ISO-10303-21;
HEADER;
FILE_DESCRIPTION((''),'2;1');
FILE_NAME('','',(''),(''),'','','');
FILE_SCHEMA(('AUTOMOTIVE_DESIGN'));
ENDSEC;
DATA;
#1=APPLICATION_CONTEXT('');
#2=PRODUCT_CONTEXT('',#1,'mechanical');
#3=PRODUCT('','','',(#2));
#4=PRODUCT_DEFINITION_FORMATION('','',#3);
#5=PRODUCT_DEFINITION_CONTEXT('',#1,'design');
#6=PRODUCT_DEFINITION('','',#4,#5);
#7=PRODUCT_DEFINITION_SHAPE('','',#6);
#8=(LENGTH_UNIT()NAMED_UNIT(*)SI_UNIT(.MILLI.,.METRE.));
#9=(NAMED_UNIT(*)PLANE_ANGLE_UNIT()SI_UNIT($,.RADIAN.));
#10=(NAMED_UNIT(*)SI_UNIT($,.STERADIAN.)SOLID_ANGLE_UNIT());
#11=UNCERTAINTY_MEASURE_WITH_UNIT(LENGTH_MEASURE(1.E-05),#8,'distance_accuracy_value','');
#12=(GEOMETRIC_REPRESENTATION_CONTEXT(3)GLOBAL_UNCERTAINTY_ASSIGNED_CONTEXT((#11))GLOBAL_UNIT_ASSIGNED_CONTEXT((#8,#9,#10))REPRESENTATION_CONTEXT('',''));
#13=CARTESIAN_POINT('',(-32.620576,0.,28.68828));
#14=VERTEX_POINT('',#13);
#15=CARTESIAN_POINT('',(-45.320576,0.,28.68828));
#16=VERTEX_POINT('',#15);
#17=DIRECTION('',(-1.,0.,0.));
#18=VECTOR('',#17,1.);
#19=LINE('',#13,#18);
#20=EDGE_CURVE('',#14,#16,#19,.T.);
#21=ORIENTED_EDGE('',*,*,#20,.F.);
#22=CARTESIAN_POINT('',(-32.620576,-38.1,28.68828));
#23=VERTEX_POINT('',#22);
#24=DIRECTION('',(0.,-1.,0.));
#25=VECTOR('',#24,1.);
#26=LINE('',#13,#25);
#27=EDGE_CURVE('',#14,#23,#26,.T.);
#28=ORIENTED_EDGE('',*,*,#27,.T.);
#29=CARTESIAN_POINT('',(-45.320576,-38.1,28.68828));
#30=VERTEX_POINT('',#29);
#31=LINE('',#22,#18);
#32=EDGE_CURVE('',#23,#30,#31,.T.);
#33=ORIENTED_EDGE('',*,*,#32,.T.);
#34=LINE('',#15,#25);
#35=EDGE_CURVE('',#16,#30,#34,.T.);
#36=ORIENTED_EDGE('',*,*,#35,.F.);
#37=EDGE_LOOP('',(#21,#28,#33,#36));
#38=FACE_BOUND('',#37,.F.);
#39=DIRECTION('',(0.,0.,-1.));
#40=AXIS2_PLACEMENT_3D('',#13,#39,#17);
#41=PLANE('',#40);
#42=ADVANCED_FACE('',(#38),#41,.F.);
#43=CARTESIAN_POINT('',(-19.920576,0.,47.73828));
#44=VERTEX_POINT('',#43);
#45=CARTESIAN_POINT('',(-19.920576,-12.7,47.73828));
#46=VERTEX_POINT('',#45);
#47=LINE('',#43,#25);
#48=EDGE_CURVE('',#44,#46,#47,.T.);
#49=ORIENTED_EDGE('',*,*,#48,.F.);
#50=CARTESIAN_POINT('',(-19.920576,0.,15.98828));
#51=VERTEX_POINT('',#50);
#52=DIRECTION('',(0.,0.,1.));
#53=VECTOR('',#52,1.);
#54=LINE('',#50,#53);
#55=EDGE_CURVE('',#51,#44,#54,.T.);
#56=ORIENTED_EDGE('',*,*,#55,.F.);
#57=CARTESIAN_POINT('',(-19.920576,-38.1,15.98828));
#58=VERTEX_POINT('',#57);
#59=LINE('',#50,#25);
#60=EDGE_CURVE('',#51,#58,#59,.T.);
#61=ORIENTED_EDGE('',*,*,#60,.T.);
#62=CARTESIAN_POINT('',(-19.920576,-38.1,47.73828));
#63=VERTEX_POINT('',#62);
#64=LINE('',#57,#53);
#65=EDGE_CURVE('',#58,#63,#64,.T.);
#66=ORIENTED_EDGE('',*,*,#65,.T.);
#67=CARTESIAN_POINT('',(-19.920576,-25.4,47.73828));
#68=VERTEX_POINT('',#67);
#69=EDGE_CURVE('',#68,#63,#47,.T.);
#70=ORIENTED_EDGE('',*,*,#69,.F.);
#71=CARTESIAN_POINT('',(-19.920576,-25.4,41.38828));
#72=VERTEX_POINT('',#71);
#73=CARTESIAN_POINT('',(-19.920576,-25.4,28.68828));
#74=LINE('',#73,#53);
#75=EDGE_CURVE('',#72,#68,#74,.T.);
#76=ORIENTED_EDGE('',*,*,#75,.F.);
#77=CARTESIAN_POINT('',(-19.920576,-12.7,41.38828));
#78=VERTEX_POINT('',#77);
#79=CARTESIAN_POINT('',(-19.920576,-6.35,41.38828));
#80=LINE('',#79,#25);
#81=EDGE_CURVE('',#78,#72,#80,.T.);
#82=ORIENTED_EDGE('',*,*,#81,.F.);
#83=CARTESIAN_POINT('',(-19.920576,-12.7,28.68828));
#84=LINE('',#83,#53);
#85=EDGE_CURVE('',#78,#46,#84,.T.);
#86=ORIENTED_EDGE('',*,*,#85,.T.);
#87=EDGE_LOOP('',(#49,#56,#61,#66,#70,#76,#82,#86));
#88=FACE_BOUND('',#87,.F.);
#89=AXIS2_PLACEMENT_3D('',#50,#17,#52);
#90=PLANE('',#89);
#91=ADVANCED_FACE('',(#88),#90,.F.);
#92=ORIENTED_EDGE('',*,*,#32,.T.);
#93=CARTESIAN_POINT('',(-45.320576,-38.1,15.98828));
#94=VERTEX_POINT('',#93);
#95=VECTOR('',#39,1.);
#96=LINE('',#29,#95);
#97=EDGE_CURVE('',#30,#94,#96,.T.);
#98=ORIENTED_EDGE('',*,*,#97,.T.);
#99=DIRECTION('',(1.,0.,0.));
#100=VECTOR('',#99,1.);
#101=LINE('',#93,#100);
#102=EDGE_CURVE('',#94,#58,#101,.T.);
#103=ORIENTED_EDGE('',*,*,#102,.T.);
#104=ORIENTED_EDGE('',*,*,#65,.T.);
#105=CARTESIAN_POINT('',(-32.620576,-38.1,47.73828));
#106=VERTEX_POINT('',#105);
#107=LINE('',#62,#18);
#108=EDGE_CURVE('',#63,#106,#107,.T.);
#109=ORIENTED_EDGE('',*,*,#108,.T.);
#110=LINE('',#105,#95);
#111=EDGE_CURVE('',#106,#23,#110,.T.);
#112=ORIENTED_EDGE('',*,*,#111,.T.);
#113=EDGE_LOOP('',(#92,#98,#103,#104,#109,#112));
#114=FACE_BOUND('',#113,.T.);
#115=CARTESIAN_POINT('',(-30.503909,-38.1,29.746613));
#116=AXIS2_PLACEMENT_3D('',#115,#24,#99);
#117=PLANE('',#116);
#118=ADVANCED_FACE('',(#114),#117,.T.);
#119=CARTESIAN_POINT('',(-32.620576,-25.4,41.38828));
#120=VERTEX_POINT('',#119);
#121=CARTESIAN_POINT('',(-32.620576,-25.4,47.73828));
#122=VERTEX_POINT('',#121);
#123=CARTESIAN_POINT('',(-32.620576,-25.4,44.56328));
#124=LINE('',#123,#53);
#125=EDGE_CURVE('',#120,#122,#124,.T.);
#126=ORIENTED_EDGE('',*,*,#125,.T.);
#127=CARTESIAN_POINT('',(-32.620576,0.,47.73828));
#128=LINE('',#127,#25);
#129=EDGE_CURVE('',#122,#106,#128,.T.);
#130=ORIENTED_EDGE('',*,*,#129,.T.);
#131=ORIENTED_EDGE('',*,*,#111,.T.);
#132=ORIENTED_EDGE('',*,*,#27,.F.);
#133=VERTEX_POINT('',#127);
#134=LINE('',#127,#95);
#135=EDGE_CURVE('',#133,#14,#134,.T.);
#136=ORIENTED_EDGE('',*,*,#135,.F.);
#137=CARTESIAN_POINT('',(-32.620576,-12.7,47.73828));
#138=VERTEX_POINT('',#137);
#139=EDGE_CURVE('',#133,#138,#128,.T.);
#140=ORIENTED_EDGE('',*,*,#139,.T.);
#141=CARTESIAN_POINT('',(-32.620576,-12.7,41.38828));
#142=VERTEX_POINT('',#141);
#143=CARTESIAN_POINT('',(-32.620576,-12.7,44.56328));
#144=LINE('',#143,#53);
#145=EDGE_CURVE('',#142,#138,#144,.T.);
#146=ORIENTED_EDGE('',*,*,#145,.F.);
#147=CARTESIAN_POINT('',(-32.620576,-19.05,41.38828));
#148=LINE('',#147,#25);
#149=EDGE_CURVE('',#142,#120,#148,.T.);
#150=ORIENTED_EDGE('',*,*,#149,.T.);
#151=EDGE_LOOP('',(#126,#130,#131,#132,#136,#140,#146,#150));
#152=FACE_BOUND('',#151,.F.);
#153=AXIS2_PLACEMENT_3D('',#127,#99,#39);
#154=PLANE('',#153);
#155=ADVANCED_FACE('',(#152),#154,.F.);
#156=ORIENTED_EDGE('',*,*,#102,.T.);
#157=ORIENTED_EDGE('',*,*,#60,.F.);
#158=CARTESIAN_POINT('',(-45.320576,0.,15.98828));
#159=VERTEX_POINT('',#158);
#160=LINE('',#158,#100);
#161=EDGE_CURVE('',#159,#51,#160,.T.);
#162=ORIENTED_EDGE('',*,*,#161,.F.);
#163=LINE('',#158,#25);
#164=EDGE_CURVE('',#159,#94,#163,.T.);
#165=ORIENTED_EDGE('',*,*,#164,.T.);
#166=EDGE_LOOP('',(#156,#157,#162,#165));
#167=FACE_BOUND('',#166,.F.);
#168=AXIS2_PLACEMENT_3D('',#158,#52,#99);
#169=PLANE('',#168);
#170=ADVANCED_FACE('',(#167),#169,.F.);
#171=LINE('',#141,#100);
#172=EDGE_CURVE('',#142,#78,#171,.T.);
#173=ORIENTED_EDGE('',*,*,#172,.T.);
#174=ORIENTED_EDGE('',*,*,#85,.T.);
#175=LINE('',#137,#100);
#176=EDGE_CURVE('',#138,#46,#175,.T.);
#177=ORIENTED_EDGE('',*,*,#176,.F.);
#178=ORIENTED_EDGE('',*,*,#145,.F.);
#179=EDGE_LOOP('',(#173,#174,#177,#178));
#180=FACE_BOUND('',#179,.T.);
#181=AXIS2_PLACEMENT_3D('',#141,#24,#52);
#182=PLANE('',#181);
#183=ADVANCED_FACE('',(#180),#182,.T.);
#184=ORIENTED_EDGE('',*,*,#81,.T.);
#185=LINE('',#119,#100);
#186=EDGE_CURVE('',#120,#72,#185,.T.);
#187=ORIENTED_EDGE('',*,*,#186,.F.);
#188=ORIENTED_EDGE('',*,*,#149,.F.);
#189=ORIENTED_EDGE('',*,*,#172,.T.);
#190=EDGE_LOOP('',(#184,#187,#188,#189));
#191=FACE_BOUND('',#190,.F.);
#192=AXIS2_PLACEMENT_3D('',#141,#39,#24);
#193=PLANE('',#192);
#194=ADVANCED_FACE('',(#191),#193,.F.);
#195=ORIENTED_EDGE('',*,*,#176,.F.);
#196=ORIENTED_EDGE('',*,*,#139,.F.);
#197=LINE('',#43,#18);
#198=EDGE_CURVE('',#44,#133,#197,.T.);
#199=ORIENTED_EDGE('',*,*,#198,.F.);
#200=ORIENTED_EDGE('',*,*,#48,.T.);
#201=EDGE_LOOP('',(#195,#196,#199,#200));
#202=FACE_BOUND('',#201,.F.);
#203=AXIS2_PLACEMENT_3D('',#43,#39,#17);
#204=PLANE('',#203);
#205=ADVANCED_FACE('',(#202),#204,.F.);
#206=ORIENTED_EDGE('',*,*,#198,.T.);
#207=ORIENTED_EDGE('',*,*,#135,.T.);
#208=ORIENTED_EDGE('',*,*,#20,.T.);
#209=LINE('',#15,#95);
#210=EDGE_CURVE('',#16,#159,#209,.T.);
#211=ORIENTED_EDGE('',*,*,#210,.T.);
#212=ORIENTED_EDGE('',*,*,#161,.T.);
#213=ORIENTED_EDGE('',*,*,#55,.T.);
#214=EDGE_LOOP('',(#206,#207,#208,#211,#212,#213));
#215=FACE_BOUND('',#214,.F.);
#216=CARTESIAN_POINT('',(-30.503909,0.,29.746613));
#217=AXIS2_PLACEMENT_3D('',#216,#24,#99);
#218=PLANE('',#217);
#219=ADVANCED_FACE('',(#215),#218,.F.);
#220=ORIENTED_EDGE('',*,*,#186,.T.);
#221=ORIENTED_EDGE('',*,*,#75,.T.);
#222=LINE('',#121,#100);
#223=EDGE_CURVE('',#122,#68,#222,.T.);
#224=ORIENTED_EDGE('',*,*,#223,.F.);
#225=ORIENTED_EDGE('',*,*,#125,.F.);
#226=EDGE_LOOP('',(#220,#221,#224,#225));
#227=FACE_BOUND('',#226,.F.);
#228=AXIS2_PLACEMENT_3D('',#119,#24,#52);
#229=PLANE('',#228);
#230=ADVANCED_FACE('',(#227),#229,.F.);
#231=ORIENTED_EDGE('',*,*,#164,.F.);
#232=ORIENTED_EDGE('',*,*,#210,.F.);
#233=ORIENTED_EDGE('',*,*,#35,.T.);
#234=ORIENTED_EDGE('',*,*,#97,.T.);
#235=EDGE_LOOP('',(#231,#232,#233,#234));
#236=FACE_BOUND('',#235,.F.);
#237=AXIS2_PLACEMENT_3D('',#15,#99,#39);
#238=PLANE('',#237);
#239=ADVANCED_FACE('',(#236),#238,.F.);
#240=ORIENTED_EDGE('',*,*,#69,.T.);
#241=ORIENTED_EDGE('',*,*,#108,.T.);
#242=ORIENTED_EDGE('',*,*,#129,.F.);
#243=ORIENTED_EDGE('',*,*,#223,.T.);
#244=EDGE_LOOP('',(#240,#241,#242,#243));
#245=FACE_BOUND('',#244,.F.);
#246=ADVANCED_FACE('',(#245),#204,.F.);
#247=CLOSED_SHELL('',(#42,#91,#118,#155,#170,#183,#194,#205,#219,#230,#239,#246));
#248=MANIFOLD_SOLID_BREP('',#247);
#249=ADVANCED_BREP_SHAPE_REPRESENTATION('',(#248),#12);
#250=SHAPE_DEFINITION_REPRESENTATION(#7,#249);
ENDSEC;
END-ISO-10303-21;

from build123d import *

# Parameters (mm, degrees)
F1_DEPTH = 38.1
F2_W     = 12.7
F2_H     = 6.35
F3_DEPTH = 12.701


with BuildPart() as f1:
    # F0 (on Front) → F1 (new body)
    with BuildSketch(Plane.XZ):
        Polygon((-19.920576, 15.98828), (-19.920576, 47.73828), (-32.620576, 47.73828), (-32.620576, 28.68828), (-45.320576, 28.68828), (-45.320576, 15.98828), align=None)
    extrude(amount=F1_DEPTH)

    # F2 (on face) → F3 (cut, through all)
    with BuildSketch(Plane(origin=(-32.620576, 0, 0), x_dir=(0, -1, 0), z_dir=(-1, 0, 0))):
        with Locations((19.05, 44.56328)):
            Rectangle(F2_W, F2_H)
    extrude(amount=-F3_DEPTH, mode=Mode.SUBTRACT)


solid = f1.part
